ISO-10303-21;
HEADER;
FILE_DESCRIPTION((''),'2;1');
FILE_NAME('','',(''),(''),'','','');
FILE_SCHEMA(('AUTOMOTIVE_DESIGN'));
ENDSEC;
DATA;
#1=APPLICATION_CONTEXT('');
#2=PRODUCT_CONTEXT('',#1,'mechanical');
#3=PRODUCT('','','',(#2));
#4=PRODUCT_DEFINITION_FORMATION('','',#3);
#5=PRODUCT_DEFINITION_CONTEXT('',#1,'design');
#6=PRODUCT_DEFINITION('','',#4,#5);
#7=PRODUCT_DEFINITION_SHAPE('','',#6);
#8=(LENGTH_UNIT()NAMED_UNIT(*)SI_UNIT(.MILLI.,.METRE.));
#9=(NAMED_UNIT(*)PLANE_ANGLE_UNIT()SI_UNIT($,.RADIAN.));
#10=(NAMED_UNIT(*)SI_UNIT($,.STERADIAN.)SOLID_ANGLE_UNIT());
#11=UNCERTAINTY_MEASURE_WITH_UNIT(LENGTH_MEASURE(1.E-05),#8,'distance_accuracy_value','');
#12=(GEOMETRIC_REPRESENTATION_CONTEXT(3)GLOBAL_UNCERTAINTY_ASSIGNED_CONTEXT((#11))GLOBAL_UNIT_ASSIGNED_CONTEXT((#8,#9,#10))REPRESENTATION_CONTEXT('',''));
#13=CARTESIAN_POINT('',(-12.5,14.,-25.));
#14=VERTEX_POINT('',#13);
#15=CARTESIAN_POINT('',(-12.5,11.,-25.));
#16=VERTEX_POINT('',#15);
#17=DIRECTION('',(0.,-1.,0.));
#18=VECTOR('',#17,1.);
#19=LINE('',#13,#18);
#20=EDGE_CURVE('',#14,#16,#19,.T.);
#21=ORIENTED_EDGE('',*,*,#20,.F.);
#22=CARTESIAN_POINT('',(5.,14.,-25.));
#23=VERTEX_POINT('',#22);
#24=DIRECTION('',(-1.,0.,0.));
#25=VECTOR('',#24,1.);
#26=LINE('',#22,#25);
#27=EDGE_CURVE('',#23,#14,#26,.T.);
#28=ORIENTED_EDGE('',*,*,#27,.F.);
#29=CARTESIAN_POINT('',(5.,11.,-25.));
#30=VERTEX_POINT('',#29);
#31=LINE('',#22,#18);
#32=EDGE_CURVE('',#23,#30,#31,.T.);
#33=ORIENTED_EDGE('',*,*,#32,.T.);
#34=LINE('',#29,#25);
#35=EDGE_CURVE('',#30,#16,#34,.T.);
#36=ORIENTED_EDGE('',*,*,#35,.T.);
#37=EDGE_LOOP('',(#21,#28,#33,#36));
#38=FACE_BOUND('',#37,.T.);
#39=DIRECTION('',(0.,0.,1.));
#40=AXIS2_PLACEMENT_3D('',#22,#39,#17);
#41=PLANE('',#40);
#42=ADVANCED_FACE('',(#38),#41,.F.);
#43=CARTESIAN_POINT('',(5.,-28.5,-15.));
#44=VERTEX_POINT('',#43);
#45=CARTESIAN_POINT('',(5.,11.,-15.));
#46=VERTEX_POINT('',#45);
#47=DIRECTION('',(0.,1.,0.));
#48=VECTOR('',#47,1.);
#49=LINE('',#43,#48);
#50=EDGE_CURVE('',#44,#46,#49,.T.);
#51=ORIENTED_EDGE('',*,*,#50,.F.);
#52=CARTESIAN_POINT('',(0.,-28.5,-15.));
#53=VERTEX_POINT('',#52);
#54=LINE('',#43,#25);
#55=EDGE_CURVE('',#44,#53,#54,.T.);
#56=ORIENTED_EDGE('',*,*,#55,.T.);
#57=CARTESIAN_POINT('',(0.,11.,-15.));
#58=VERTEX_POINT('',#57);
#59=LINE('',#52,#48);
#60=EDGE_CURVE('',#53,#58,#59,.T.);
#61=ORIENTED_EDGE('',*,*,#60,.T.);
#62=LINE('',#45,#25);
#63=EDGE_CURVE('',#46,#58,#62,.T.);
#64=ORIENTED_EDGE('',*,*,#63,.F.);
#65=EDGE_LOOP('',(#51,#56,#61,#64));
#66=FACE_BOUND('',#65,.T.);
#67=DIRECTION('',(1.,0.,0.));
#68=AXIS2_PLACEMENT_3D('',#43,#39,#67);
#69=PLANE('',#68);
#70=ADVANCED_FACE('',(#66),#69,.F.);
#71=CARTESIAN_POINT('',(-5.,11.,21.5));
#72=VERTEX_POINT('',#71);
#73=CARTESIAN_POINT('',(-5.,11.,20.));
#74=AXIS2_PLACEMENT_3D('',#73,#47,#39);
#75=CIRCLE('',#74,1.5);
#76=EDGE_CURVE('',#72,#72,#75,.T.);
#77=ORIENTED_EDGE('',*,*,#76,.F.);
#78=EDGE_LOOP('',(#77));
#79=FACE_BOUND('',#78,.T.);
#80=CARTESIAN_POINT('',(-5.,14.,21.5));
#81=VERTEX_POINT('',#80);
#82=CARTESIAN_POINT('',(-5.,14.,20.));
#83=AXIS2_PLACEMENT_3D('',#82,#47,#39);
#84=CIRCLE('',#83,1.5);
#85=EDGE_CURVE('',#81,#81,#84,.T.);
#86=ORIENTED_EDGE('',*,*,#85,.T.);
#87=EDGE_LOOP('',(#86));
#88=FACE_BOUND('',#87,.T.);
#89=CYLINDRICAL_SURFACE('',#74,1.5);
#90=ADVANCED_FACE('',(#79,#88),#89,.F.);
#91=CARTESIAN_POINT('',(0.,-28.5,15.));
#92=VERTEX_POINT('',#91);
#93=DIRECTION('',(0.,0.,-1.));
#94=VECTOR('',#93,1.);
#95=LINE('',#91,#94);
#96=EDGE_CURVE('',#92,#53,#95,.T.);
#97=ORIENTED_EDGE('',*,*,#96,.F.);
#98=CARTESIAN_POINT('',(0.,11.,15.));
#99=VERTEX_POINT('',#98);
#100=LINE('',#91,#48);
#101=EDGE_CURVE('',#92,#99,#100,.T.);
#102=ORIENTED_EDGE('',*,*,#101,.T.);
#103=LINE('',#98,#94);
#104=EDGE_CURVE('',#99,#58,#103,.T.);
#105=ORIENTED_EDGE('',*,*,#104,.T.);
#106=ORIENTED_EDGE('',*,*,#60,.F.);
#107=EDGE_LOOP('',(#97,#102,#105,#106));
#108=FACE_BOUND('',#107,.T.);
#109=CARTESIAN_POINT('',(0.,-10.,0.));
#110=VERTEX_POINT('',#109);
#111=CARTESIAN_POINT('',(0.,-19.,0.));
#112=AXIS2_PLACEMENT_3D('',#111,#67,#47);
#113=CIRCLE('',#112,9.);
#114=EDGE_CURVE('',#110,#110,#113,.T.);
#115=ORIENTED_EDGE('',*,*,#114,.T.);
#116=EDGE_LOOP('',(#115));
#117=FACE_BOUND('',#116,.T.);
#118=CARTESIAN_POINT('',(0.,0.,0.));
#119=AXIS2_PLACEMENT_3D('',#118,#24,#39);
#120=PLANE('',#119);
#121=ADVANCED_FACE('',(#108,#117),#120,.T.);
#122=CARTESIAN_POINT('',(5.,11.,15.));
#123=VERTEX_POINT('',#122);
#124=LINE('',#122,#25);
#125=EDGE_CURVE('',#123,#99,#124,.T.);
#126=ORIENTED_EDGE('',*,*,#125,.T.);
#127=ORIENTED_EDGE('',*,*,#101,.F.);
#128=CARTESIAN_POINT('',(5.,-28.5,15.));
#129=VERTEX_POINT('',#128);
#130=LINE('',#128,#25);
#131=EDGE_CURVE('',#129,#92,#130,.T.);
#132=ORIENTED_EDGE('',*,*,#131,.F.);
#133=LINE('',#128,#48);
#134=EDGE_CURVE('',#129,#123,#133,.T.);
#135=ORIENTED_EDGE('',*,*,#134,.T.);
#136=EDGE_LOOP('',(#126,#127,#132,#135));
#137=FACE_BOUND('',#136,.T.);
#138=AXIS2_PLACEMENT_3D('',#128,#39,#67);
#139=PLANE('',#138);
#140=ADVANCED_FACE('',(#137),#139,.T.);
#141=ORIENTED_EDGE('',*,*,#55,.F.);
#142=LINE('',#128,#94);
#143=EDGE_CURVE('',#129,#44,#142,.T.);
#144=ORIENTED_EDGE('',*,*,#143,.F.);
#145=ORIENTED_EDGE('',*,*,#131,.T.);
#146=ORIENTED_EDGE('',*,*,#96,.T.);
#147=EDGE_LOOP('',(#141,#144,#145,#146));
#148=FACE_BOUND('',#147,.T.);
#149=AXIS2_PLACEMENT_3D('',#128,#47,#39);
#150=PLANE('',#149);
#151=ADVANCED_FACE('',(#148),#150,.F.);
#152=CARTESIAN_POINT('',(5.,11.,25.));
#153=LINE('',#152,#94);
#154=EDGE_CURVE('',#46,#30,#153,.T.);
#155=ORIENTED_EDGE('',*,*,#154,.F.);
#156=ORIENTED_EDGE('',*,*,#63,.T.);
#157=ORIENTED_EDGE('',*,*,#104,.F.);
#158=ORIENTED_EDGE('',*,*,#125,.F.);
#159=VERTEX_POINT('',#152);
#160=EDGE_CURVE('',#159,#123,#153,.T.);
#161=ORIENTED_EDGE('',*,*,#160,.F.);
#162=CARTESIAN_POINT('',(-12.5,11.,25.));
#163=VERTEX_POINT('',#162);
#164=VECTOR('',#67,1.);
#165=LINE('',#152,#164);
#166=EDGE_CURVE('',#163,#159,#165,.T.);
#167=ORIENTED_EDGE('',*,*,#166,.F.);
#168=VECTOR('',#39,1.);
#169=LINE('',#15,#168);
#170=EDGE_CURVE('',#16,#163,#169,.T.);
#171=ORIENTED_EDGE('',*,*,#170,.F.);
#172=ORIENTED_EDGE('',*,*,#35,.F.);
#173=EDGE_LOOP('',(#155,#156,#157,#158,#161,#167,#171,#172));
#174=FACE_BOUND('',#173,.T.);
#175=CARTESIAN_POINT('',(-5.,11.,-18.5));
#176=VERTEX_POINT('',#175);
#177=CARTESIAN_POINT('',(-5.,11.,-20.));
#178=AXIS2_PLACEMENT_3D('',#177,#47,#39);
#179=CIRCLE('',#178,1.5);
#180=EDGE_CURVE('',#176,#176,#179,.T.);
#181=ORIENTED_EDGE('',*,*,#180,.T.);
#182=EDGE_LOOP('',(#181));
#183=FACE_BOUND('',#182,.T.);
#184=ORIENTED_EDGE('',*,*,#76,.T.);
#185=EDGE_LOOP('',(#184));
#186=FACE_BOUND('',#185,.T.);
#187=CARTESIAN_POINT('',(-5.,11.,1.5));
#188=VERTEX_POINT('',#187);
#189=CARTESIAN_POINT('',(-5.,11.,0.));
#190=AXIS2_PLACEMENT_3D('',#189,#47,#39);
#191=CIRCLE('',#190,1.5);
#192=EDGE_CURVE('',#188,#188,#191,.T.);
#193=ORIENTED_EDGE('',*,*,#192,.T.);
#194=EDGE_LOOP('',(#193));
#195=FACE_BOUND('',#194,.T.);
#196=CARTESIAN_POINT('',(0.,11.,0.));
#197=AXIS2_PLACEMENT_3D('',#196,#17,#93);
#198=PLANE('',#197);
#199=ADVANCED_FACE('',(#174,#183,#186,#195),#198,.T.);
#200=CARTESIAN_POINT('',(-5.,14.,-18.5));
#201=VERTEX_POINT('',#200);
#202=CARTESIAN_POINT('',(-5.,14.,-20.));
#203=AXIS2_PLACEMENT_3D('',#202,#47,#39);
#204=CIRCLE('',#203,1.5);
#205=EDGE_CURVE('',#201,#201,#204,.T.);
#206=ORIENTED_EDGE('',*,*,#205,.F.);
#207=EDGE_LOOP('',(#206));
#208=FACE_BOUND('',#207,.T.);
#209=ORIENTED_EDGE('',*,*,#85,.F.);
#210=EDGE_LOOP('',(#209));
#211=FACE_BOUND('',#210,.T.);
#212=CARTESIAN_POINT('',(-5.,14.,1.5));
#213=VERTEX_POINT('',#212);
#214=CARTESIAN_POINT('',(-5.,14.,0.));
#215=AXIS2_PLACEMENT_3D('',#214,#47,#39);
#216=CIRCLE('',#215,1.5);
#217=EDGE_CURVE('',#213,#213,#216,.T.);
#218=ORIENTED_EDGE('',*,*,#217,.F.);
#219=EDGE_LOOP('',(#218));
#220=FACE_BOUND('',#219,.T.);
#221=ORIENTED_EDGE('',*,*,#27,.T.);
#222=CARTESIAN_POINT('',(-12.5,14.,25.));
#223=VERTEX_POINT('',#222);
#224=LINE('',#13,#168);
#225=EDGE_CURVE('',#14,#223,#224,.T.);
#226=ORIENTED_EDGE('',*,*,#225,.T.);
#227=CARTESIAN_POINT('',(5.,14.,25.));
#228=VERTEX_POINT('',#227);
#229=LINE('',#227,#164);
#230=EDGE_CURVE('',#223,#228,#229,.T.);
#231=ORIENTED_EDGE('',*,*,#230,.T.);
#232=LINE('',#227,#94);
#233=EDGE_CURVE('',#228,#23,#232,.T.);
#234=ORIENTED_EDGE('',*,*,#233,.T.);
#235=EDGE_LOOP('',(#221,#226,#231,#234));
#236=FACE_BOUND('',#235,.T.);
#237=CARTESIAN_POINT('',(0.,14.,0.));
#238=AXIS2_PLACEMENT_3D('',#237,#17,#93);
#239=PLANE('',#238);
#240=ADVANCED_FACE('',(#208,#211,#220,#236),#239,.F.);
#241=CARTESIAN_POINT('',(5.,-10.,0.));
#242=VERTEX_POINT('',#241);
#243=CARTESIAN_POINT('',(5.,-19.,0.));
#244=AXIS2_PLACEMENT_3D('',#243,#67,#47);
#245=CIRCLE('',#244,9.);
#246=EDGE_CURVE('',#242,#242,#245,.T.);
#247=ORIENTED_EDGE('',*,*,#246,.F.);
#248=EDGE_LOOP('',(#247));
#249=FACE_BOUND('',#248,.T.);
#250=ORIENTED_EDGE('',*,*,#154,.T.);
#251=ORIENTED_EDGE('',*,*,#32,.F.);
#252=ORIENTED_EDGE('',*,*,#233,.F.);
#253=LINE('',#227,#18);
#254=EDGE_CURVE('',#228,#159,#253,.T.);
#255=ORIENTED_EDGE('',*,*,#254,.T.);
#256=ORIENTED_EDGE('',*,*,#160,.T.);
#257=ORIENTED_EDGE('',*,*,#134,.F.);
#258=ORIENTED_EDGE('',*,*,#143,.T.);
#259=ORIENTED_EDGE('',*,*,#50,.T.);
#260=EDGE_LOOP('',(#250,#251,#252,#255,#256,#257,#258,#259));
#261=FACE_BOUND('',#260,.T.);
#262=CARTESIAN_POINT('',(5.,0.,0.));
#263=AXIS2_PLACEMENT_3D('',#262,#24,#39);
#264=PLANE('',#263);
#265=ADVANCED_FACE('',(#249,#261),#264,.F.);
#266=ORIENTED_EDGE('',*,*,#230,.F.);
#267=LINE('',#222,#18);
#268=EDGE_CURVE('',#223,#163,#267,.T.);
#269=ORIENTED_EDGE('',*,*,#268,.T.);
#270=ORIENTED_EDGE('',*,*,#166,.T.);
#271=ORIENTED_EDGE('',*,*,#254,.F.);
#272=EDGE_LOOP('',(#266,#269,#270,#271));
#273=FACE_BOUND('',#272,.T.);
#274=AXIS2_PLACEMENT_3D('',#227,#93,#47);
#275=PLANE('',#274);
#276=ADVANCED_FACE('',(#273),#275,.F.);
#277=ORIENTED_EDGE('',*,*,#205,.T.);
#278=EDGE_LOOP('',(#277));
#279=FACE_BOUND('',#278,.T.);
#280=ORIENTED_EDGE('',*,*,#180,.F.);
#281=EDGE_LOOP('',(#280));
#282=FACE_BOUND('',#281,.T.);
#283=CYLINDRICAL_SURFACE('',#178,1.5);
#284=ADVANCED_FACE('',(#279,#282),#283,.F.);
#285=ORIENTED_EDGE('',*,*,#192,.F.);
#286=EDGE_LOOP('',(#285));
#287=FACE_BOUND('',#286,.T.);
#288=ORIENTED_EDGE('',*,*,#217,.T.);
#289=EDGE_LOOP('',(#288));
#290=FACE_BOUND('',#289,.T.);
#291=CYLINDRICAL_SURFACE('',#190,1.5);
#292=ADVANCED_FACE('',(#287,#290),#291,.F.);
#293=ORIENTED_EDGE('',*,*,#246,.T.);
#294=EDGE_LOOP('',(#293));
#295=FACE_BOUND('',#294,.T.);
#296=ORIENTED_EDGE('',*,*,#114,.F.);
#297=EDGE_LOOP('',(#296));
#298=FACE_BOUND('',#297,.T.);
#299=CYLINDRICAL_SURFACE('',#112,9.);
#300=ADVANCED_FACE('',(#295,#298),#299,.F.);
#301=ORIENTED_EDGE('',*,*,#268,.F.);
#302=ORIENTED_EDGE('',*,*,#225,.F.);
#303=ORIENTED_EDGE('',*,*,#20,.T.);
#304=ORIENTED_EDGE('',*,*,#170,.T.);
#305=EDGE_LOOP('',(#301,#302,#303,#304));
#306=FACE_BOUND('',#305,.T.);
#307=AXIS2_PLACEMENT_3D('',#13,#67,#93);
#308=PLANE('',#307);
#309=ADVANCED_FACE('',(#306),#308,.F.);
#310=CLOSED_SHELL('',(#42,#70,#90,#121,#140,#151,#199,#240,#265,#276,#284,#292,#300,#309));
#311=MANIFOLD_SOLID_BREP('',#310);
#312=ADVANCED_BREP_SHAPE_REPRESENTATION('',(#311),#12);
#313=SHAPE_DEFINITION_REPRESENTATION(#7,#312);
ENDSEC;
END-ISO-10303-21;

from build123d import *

# Parameters (mm, degrees)
SKETCH_1_W          = 30
SKETCH_1_H          = 39.5
EXTRUDE_1_DEPTH     = 5
SKETCH_2_R          = 9
CUT_EXTRUDE_1_DEPTH = 5
SKETCH_3_W          = 17.5
SKETCH_3_H          = 50
EXTRUDE_2_DEPTH     = 3
SKETCH_6_R          = 1.5
CUT_EXTRUDE_2_DEPTH = 3


with BuildPart() as part:
    # 草图1 → 凸台-拉伸1 (new body)
    with BuildSketch(Plane(origin=(0, 0, 0), x_dir=(0, 0, -1), z_dir=(1, 0, 0))):
        with Locations((0, -8.75)):
            Rectangle(SKETCH_1_W, SKETCH_1_H)
    extrude(amount=EXTRUDE_1_DEPTH)

    # 草图2 → 切除-拉伸1 (cut)
    with BuildSketch(Plane(origin=(5, 0, 0), x_dir=(0, 0, -1), z_dir=(1, 0, 0))):
        with Locations(Location((0, -19, 0), (0, 0, 90))):
            Circle(SKETCH_2_R)
    extrude(amount=-CUT_EXTRUDE_1_DEPTH, mode=Mode.SUBTRACT)

    # 草图3 → 凸台-拉伸2 (add)
    with BuildSketch(Plane(origin=(0, 11, 0), x_dir=(1, 0, 0), z_dir=(0, 1, 0))):
        with Locations((-3.75, 0)):
            Rectangle(SKETCH_3_W, SKETCH_3_H)
    extrude(amount=EXTRUDE_2_DEPTH)

    # 草图6 → 切除-拉伸2 (cut)
    with BuildSketch(Plane(origin=(0, 14, 0), x_dir=(1, 0, 0), z_dir=(0, 1, 0))):
        with Locations(Location((-5, 0, 0), (0, 0, 270))):
            Circle(SKETCH_6_R)
        with Locations(Location((-5, 20, 0), (0, 0, 270))):
            Circle(SKETCH_6_R)
        with Locations(Location((-5, -20, 0), (0, 0, 270))):
            Circle(SKETCH_6_R)
    extrude(amount=-CUT_EXTRUDE_2_DEPTH, mode=Mode.SUBTRACT)


solid = part.part
